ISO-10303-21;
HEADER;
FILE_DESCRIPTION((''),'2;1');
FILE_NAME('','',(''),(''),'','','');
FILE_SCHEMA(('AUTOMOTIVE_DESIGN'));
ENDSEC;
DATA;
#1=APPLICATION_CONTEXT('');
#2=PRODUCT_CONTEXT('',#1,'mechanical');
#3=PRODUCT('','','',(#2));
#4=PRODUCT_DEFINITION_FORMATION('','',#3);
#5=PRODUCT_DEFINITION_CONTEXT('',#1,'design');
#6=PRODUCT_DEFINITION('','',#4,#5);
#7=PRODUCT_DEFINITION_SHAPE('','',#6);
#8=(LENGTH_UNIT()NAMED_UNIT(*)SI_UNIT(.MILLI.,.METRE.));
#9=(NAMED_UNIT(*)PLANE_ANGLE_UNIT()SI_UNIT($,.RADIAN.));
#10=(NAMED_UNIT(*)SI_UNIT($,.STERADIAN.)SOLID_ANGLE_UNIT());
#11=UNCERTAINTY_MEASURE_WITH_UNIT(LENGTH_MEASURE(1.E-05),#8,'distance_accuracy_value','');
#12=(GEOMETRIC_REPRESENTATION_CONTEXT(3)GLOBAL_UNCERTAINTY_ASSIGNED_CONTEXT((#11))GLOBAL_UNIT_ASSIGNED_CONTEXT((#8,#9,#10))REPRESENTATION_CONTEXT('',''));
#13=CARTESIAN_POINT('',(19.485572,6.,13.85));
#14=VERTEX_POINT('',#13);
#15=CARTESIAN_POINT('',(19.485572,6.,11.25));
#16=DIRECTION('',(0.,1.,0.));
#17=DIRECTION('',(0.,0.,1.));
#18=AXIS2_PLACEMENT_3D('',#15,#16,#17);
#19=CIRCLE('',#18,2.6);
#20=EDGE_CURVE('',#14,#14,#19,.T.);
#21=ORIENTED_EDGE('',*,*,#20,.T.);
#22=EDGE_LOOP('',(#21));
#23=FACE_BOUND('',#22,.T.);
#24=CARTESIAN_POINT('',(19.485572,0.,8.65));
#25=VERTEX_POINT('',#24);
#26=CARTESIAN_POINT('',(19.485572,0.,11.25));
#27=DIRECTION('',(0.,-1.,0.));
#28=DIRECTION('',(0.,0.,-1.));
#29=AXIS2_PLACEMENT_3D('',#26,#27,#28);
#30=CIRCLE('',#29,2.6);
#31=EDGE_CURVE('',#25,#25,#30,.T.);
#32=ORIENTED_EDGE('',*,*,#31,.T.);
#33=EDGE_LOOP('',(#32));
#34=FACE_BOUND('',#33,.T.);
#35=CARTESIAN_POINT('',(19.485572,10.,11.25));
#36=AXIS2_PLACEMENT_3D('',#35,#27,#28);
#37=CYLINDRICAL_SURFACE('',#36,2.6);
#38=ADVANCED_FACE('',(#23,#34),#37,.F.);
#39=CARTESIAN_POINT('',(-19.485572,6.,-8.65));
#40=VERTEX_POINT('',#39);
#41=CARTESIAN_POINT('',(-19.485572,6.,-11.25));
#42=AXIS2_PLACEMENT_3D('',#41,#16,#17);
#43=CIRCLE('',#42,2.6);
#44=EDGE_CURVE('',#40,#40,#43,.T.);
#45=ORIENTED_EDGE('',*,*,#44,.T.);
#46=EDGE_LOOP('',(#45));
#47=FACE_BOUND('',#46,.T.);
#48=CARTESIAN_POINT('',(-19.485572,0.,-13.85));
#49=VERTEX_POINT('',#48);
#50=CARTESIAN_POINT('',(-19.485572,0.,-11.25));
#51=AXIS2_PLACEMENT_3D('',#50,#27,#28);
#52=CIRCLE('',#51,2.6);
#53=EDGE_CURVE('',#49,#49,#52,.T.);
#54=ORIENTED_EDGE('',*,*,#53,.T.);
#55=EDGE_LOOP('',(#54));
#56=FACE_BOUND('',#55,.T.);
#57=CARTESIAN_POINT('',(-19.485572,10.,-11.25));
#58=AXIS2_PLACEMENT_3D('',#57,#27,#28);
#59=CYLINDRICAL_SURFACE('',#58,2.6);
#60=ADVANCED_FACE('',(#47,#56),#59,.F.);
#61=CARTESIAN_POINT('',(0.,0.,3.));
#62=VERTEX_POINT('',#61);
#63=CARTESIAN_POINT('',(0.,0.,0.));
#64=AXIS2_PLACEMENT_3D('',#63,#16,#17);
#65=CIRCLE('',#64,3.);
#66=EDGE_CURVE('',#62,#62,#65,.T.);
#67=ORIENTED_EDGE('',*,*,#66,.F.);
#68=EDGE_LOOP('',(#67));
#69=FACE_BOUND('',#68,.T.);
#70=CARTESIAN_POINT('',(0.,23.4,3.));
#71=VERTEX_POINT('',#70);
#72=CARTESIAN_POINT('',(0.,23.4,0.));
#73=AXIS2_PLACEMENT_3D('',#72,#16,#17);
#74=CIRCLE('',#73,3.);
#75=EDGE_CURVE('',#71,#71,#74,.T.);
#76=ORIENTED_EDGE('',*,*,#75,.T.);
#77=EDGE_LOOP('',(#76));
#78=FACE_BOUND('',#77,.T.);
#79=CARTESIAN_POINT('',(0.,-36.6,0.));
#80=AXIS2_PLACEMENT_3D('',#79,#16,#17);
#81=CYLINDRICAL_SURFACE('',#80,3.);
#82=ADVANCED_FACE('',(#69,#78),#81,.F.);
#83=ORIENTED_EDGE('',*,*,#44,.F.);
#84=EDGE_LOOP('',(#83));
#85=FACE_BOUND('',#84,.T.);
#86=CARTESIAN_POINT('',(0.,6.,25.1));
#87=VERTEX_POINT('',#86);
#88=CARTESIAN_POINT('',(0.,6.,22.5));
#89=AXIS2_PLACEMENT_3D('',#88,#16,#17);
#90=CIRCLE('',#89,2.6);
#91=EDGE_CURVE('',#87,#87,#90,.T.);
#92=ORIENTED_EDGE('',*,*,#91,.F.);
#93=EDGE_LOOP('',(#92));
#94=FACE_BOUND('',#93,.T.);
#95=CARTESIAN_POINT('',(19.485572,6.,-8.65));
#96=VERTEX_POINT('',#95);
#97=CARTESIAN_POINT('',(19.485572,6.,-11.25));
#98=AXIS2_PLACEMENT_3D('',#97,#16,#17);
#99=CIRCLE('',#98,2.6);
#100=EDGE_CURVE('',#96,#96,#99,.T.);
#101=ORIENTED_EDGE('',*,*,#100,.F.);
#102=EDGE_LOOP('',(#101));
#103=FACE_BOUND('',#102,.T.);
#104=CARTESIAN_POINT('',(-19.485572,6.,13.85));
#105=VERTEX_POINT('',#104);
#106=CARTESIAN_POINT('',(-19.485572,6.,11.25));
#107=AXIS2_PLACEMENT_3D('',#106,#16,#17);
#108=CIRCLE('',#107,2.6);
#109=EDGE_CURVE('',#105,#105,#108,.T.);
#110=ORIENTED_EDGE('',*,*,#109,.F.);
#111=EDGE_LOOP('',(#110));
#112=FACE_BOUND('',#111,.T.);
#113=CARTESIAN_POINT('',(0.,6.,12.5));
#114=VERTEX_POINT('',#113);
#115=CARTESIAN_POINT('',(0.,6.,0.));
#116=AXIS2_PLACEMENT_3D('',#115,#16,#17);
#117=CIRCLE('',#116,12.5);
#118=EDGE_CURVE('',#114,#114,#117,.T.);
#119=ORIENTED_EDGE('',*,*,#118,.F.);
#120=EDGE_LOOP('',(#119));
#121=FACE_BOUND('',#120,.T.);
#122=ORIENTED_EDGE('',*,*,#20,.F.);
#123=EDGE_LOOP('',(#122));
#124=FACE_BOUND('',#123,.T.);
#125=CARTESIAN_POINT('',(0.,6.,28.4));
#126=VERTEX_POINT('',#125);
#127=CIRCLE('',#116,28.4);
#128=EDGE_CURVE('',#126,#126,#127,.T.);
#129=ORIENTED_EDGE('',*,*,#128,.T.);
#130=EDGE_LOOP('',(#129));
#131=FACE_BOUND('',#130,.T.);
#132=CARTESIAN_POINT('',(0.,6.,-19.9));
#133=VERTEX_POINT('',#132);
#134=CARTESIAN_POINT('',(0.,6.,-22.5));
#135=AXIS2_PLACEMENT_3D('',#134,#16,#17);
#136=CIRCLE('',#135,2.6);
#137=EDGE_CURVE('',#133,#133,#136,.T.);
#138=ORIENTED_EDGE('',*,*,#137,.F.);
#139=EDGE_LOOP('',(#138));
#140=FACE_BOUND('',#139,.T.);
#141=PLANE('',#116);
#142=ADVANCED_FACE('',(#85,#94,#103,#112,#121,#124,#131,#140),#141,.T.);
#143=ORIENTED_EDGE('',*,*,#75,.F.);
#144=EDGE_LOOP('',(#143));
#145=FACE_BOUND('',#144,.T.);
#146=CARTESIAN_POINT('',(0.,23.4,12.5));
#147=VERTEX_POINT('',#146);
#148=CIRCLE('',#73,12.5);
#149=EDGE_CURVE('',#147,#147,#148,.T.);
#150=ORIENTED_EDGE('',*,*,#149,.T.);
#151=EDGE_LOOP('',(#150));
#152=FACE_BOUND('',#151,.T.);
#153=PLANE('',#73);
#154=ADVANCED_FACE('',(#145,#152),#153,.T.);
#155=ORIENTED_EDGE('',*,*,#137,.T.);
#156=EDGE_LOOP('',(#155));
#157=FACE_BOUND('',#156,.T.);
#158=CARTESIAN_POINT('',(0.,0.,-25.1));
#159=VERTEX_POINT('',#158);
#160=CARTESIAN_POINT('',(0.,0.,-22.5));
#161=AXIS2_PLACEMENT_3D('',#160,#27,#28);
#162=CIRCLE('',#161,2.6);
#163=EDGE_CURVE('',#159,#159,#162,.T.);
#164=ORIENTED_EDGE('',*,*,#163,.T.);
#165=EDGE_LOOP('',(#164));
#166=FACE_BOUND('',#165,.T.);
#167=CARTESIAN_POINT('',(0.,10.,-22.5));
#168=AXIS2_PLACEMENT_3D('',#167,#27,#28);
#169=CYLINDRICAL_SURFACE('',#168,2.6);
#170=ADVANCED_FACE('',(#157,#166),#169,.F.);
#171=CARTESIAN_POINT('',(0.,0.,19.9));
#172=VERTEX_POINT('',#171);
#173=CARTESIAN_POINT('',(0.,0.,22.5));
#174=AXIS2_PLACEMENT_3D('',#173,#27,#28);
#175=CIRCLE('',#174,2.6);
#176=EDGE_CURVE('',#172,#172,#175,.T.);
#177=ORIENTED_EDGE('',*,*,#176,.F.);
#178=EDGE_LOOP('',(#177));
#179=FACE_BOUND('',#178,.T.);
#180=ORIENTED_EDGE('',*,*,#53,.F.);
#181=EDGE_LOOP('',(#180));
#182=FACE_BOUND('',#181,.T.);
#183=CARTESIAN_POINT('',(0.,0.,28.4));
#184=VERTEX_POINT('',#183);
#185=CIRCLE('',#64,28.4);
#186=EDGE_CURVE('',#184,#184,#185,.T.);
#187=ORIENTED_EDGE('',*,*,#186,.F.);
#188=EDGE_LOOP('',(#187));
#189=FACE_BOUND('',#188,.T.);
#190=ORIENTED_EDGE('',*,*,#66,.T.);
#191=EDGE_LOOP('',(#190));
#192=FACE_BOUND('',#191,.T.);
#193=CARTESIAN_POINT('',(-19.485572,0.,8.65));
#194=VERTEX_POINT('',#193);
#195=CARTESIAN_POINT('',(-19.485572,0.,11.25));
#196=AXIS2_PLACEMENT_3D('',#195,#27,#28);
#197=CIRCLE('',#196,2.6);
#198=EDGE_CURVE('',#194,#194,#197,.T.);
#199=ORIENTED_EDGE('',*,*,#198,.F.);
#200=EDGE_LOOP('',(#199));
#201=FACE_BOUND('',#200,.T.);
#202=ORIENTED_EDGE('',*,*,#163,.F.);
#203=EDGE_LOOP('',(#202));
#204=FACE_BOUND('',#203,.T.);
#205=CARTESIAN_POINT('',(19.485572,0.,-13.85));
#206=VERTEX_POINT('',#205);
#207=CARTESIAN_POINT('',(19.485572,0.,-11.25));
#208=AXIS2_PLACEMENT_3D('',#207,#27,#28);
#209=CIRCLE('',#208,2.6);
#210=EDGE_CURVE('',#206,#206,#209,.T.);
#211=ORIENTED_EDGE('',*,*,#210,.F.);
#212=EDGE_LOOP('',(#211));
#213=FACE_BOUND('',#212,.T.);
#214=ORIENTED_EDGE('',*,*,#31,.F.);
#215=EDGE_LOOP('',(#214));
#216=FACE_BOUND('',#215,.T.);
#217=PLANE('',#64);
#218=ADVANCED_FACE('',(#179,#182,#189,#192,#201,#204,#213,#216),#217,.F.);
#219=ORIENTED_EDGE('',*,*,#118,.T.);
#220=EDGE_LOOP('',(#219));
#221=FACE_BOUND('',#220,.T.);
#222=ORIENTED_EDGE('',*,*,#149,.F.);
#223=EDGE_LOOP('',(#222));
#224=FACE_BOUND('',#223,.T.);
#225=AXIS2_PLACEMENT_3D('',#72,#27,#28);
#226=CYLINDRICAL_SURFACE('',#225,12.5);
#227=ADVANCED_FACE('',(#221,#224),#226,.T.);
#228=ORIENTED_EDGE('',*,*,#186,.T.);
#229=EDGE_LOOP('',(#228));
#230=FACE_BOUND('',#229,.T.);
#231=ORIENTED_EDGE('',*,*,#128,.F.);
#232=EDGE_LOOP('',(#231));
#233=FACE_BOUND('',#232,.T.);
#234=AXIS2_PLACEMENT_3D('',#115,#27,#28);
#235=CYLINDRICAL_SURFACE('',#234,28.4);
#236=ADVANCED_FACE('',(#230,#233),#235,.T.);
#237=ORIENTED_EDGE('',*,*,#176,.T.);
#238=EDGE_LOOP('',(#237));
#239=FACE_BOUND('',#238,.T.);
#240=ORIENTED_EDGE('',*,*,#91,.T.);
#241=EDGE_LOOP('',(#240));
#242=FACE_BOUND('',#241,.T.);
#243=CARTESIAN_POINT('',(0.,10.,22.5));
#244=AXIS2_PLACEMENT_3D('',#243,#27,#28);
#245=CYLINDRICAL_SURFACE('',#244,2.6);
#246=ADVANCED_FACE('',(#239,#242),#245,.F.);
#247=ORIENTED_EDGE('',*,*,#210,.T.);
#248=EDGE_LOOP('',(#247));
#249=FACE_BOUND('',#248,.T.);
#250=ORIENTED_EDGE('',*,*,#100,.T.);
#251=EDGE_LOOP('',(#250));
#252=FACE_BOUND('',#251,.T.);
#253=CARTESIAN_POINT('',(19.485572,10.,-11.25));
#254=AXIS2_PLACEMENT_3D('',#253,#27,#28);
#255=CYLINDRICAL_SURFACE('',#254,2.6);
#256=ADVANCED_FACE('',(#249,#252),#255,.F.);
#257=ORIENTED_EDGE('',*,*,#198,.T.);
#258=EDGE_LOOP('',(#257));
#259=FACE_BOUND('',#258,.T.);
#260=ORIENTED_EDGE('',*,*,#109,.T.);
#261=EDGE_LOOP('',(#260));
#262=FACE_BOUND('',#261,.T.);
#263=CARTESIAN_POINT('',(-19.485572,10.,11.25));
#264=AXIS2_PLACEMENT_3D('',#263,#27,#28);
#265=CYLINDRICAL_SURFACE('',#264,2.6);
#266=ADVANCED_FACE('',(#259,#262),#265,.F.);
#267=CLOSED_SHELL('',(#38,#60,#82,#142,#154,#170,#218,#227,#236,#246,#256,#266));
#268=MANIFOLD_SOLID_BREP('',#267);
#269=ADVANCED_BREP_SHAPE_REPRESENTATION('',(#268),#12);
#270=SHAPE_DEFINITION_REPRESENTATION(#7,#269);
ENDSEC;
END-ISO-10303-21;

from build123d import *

# Parameters (mm, degrees)
SKETCH_1_R          = 28.4
EXTRUDE_1_DEPTH     = 6
SKETCH_2_R          = 12.5
EXTRUDE_2_DEPTH     = 17.4
SKETCH_3_R          = 3
CUT_EXTRUDE_1_DEPTH = 60
SKETCH_4_R          = 2.6
CUT_EXTRUDE_2_DEPTH = 10


with BuildPart() as part:
    # 草图1 → 凸台-拉伸1 (new body)
    with BuildSketch(Plane(origin=(0, 0, 0), x_dir=(1, 0, 0), z_dir=(0, 1, 0))):
        with Locations(Location((0, 0, 0), (0, 0, 270))):
            Circle(SKETCH_1_R)
    extrude(amount=EXTRUDE_1_DEPTH)

    # 草图2 → 凸台-拉伸2 (add)
    with BuildSketch(Plane(origin=(0, 6, 0), x_dir=(1, 0, 0), z_dir=(0, 1, 0))):
        with Locations(Location((0, 0, 0), (0, 0, 270))):
            Circle(SKETCH_2_R)
    extrude(amount=EXTRUDE_2_DEPTH)

    # 草图3 → 切除-拉伸1 (cut)
    with BuildSketch(Plane(origin=(0, 23.4, 0), x_dir=(1, 0, 0), z_dir=(0, 1, 0))):
        with Locations(Location((0, 0, 0), (0, 0, 270))):
            Circle(SKETCH_3_R)
    extrude(amount=-CUT_EXTRUDE_1_DEPTH, mode=Mode.SUBTRACT)

    # 草图4 → 切除-拉伸2 (cut)
    with BuildSketch(Plane.XZ):
        with Locations(Location((0, 22.5, 0), (0, 0, 270))):
            Circle(SKETCH_4_R)
        with Locations(Location((19.485571585, 11.25, 0), (0, 0, 270))):
            Circle(SKETCH_4_R)
        with Locations(Location((19.485571585, -11.25, 0), (0, 0, 270))):
            Circle(SKETCH_4_R)
        with Locations(Location((0, -22.5, 0), (0, 0, 270))):
            Circle(SKETCH_4_R)
        with Locations(Location((-19.485571585, -11.25, 0), (0, 0, 270))):
            Circle(SKETCH_4_R)
        with Locations(Location((-19.485571585, 11.25, 0), (0, 0, 270))):
            Circle(SKETCH_4_R)
    extrude(amount=-CUT_EXTRUDE_2_DEPTH, mode=Mode.SUBTRACT)


solid = part.part
